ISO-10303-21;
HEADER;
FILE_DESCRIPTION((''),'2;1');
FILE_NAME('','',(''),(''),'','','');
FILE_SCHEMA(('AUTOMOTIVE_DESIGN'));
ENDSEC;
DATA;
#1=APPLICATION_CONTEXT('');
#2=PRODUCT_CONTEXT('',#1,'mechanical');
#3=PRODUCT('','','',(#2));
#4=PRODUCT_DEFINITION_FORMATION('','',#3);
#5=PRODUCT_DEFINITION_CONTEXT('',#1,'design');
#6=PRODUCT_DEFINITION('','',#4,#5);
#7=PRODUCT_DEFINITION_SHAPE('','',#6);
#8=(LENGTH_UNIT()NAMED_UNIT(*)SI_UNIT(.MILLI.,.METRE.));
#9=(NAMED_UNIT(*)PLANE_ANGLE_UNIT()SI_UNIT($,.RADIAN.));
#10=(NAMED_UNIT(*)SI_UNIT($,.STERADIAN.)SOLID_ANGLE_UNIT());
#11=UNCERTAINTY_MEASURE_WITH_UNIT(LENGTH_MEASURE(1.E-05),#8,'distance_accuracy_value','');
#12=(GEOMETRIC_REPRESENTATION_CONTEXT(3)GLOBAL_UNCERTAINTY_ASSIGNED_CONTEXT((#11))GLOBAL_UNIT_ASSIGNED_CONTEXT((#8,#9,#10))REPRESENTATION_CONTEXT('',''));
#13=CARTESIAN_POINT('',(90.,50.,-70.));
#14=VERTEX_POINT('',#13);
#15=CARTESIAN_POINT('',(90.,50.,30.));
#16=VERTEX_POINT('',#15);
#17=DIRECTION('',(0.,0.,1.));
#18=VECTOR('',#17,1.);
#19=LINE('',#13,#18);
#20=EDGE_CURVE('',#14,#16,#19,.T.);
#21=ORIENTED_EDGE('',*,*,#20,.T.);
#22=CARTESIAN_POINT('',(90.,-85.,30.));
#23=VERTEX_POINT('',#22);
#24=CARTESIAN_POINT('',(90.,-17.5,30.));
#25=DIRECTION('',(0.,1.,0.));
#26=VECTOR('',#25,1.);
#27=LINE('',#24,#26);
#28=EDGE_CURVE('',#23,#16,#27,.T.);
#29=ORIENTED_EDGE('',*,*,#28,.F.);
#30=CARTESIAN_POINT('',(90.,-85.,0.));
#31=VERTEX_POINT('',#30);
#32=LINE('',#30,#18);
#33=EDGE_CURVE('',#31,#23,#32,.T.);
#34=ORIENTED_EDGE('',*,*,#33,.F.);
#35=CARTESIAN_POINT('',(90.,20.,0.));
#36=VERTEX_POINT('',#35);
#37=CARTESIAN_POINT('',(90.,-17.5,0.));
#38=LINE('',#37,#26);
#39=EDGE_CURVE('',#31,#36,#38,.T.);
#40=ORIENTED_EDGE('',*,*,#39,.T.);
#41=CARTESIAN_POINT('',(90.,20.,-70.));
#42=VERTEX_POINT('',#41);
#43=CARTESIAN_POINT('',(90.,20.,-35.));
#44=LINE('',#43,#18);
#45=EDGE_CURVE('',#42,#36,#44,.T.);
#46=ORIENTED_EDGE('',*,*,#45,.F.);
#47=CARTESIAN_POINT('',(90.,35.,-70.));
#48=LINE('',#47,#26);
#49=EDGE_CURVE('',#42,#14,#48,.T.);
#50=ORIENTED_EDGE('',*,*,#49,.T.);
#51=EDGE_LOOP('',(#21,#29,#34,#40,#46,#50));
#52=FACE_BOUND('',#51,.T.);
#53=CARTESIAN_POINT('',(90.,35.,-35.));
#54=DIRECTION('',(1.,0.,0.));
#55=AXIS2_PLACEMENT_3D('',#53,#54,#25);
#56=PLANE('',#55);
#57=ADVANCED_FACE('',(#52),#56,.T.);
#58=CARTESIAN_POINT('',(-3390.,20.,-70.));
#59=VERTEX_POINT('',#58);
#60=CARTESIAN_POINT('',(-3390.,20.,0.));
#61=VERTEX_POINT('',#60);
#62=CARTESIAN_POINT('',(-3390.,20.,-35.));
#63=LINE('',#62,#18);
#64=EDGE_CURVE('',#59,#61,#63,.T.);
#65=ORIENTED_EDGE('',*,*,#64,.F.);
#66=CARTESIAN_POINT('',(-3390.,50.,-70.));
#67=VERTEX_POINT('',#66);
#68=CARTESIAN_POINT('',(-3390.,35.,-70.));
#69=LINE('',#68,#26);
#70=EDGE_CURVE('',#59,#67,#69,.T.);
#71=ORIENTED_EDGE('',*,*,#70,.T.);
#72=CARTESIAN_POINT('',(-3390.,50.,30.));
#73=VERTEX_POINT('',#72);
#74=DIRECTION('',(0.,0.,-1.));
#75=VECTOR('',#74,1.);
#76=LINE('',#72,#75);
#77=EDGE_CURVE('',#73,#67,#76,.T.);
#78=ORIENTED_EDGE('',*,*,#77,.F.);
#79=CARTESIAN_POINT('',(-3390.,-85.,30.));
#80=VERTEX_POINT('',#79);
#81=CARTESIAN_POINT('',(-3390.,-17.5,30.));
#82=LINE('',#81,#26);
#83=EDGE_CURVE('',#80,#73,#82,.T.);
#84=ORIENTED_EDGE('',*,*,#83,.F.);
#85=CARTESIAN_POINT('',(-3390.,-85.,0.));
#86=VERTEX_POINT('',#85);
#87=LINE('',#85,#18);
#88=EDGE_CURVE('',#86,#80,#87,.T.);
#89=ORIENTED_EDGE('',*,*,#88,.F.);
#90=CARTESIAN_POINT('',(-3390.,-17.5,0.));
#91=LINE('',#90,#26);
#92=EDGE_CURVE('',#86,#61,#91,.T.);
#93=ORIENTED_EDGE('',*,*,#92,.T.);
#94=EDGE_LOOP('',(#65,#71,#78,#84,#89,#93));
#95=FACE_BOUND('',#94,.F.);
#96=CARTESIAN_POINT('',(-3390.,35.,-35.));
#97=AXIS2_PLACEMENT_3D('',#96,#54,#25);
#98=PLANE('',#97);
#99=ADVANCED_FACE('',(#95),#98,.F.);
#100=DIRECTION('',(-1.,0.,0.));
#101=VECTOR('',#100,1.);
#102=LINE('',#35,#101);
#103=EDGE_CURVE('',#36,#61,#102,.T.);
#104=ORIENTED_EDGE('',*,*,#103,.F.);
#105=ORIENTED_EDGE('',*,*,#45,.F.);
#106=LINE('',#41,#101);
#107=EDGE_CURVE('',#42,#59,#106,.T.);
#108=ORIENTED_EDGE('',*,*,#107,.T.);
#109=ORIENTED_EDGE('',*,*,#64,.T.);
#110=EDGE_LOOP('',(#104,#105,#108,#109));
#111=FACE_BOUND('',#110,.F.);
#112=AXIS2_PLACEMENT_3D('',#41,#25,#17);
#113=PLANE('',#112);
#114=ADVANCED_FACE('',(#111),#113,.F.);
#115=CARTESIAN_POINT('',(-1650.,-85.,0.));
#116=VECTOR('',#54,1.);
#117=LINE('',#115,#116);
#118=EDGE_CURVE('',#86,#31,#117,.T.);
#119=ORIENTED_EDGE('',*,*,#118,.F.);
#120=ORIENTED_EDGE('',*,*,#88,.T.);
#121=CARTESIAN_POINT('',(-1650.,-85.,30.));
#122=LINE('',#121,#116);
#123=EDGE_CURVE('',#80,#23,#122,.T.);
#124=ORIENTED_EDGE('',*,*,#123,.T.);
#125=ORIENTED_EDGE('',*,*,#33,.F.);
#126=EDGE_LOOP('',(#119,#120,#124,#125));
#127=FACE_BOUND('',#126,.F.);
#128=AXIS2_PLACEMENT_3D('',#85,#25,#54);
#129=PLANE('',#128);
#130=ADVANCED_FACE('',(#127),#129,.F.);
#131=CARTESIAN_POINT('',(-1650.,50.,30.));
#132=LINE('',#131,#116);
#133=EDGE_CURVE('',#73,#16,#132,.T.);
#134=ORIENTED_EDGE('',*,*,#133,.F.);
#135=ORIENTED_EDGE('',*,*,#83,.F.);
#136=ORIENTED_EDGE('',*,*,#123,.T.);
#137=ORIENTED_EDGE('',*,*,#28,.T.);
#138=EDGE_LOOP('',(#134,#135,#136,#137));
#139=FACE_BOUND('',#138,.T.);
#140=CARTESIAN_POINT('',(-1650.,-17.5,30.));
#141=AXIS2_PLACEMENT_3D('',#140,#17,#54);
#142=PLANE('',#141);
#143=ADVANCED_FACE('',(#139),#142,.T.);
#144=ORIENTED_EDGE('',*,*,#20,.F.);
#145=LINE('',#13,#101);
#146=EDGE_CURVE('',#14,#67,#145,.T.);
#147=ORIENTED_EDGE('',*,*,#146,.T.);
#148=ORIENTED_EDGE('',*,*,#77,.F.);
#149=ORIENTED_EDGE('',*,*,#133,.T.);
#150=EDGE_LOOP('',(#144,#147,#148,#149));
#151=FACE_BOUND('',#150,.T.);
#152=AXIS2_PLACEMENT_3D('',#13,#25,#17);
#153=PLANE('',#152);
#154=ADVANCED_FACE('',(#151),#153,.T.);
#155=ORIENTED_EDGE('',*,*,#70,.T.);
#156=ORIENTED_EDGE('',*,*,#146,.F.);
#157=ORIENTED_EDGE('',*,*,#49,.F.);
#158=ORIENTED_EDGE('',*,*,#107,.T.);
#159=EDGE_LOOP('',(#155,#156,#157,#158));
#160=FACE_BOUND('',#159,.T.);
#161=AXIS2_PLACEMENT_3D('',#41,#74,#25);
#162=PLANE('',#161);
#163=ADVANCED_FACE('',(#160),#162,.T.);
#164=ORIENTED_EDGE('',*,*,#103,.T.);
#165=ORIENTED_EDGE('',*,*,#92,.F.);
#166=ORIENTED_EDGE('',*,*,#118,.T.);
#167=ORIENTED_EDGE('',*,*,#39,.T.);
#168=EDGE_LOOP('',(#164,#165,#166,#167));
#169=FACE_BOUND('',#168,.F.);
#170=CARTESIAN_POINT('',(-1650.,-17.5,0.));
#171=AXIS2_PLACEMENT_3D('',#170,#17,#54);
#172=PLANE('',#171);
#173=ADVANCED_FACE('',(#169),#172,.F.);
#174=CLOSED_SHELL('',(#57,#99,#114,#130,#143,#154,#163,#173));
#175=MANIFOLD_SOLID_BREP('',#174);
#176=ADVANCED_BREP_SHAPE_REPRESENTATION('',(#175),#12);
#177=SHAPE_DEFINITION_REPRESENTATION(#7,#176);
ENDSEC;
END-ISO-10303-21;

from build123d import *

# Parameters (mm, degrees)
F0_W     = 3480
F0_H     = 135
F1_DEPTH = 30
F2_W     = 30
F2_H     = 70
F3_DEPTH = 3480


with BuildPart() as f1:
    # F0 (on Top) → F1 (new body)
    with BuildSketch(Plane.XY):
        with Locations((-1650, -17.5)):
            Rectangle(F0_W, F0_H)
    extrude(amount=F1_DEPTH)

    # F2 (on face) → F3 (join)
    with BuildSketch(Plane.YZ.offset(90)):
        with Locations((35, -35)):
            Rectangle(F2_W, F2_H)
    extrude(amount=-F3_DEPTH)


solid = f1.part
